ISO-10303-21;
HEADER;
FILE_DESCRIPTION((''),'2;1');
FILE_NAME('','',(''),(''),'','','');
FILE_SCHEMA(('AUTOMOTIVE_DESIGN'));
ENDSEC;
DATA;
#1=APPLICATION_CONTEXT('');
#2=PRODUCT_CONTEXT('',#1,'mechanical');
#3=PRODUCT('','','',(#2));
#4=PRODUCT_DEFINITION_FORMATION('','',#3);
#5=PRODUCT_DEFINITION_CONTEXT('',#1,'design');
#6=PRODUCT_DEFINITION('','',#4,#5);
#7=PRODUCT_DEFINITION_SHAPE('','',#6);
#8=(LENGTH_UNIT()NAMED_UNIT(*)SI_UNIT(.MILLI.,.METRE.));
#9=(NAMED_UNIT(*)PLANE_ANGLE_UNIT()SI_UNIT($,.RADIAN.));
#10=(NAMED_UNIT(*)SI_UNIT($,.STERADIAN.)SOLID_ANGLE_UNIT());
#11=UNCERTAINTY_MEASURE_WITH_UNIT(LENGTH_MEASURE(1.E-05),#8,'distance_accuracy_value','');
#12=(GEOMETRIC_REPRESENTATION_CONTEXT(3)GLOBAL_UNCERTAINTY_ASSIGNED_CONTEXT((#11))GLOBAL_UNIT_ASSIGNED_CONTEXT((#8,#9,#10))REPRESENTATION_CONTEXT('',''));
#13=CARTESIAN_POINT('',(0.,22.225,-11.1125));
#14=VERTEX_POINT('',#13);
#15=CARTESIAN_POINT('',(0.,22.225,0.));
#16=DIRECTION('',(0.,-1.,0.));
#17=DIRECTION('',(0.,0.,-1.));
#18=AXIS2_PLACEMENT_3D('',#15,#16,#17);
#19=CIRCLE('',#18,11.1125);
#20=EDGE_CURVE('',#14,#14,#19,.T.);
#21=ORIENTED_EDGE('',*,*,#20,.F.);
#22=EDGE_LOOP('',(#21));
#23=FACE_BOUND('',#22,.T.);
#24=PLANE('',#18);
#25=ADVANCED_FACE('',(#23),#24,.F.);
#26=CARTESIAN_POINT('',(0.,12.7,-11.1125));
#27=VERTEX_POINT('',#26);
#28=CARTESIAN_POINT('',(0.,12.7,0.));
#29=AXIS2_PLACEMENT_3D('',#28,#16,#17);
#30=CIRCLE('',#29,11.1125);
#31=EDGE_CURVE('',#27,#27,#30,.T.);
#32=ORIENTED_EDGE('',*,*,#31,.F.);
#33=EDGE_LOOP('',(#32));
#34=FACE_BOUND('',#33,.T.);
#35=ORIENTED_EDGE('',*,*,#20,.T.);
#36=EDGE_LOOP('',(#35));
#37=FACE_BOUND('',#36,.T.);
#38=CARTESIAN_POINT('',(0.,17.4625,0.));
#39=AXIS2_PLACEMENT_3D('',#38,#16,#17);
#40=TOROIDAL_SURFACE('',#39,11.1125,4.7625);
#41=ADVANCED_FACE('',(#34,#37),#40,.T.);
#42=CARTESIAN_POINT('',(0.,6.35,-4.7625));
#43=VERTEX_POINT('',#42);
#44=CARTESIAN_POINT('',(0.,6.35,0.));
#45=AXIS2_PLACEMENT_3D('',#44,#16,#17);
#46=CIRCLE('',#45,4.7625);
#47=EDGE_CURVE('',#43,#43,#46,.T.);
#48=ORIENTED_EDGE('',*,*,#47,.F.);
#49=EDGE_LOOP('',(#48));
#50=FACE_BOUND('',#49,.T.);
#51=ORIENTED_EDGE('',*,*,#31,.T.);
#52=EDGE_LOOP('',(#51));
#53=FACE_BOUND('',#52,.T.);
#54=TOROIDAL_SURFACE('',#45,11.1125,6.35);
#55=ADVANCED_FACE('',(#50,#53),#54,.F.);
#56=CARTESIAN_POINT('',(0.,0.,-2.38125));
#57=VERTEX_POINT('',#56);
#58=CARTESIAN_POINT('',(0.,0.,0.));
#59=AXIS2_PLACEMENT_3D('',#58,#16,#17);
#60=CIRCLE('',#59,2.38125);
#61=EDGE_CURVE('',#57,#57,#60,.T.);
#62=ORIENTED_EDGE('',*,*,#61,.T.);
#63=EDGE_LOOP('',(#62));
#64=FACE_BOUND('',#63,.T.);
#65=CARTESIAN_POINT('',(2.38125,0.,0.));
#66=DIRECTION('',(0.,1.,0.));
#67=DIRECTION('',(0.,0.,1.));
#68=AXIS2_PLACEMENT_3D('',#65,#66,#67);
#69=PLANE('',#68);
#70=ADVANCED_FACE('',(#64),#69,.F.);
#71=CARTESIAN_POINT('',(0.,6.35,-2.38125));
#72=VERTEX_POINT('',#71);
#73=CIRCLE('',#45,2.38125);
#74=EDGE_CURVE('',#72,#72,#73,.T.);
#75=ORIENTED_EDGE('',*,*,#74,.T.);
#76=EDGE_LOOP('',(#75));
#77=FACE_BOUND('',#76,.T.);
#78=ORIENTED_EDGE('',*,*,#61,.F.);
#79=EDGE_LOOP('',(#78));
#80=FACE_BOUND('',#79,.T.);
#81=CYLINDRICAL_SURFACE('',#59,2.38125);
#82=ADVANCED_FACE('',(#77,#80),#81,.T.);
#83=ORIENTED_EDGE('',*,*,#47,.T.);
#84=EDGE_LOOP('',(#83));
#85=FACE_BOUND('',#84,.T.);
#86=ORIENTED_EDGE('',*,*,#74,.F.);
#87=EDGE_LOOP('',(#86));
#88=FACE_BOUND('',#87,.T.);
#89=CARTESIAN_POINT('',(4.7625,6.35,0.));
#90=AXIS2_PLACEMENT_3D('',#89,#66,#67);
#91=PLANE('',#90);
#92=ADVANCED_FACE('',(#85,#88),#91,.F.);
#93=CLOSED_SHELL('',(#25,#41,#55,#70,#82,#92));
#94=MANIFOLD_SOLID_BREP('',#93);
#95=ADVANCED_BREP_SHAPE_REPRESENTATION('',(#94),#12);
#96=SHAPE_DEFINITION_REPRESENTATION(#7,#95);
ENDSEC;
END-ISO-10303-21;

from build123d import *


with BuildPart() as part:
    # Sketch1 → Base-Revolve (revolve)
    with BuildSketch(Plane.XY, mode=Mode.PRIVATE) as base_revolve_sk:
        with BuildLine():
            Line((0, 0), (0, 22.225))
            Line((0, 22.225), (11.1125, 22.225))
            ThreePointArc((11.1125, 22.225), (15.875, 17.4625), (11.1125, 12.7))
            ThreePointArc((11.1125, 12.7), (6.622371939, 10.840128061), (4.7625, 6.35))
            Line((4.7625, 6.35), (2.38125, 6.35))
            Line((2.38125, 6.35), (2.38125, 0))
            Line((2.38125, 0), (0, 0))
        make_face()
    revolve(base_revolve_sk.sketch.rotate(Axis((0, 0, 0), (0, 1, 0)), 90), axis=Axis((0, 0, 0), (0, 1, 0)))  # turned: the seam where the file's is


solid = part.part
